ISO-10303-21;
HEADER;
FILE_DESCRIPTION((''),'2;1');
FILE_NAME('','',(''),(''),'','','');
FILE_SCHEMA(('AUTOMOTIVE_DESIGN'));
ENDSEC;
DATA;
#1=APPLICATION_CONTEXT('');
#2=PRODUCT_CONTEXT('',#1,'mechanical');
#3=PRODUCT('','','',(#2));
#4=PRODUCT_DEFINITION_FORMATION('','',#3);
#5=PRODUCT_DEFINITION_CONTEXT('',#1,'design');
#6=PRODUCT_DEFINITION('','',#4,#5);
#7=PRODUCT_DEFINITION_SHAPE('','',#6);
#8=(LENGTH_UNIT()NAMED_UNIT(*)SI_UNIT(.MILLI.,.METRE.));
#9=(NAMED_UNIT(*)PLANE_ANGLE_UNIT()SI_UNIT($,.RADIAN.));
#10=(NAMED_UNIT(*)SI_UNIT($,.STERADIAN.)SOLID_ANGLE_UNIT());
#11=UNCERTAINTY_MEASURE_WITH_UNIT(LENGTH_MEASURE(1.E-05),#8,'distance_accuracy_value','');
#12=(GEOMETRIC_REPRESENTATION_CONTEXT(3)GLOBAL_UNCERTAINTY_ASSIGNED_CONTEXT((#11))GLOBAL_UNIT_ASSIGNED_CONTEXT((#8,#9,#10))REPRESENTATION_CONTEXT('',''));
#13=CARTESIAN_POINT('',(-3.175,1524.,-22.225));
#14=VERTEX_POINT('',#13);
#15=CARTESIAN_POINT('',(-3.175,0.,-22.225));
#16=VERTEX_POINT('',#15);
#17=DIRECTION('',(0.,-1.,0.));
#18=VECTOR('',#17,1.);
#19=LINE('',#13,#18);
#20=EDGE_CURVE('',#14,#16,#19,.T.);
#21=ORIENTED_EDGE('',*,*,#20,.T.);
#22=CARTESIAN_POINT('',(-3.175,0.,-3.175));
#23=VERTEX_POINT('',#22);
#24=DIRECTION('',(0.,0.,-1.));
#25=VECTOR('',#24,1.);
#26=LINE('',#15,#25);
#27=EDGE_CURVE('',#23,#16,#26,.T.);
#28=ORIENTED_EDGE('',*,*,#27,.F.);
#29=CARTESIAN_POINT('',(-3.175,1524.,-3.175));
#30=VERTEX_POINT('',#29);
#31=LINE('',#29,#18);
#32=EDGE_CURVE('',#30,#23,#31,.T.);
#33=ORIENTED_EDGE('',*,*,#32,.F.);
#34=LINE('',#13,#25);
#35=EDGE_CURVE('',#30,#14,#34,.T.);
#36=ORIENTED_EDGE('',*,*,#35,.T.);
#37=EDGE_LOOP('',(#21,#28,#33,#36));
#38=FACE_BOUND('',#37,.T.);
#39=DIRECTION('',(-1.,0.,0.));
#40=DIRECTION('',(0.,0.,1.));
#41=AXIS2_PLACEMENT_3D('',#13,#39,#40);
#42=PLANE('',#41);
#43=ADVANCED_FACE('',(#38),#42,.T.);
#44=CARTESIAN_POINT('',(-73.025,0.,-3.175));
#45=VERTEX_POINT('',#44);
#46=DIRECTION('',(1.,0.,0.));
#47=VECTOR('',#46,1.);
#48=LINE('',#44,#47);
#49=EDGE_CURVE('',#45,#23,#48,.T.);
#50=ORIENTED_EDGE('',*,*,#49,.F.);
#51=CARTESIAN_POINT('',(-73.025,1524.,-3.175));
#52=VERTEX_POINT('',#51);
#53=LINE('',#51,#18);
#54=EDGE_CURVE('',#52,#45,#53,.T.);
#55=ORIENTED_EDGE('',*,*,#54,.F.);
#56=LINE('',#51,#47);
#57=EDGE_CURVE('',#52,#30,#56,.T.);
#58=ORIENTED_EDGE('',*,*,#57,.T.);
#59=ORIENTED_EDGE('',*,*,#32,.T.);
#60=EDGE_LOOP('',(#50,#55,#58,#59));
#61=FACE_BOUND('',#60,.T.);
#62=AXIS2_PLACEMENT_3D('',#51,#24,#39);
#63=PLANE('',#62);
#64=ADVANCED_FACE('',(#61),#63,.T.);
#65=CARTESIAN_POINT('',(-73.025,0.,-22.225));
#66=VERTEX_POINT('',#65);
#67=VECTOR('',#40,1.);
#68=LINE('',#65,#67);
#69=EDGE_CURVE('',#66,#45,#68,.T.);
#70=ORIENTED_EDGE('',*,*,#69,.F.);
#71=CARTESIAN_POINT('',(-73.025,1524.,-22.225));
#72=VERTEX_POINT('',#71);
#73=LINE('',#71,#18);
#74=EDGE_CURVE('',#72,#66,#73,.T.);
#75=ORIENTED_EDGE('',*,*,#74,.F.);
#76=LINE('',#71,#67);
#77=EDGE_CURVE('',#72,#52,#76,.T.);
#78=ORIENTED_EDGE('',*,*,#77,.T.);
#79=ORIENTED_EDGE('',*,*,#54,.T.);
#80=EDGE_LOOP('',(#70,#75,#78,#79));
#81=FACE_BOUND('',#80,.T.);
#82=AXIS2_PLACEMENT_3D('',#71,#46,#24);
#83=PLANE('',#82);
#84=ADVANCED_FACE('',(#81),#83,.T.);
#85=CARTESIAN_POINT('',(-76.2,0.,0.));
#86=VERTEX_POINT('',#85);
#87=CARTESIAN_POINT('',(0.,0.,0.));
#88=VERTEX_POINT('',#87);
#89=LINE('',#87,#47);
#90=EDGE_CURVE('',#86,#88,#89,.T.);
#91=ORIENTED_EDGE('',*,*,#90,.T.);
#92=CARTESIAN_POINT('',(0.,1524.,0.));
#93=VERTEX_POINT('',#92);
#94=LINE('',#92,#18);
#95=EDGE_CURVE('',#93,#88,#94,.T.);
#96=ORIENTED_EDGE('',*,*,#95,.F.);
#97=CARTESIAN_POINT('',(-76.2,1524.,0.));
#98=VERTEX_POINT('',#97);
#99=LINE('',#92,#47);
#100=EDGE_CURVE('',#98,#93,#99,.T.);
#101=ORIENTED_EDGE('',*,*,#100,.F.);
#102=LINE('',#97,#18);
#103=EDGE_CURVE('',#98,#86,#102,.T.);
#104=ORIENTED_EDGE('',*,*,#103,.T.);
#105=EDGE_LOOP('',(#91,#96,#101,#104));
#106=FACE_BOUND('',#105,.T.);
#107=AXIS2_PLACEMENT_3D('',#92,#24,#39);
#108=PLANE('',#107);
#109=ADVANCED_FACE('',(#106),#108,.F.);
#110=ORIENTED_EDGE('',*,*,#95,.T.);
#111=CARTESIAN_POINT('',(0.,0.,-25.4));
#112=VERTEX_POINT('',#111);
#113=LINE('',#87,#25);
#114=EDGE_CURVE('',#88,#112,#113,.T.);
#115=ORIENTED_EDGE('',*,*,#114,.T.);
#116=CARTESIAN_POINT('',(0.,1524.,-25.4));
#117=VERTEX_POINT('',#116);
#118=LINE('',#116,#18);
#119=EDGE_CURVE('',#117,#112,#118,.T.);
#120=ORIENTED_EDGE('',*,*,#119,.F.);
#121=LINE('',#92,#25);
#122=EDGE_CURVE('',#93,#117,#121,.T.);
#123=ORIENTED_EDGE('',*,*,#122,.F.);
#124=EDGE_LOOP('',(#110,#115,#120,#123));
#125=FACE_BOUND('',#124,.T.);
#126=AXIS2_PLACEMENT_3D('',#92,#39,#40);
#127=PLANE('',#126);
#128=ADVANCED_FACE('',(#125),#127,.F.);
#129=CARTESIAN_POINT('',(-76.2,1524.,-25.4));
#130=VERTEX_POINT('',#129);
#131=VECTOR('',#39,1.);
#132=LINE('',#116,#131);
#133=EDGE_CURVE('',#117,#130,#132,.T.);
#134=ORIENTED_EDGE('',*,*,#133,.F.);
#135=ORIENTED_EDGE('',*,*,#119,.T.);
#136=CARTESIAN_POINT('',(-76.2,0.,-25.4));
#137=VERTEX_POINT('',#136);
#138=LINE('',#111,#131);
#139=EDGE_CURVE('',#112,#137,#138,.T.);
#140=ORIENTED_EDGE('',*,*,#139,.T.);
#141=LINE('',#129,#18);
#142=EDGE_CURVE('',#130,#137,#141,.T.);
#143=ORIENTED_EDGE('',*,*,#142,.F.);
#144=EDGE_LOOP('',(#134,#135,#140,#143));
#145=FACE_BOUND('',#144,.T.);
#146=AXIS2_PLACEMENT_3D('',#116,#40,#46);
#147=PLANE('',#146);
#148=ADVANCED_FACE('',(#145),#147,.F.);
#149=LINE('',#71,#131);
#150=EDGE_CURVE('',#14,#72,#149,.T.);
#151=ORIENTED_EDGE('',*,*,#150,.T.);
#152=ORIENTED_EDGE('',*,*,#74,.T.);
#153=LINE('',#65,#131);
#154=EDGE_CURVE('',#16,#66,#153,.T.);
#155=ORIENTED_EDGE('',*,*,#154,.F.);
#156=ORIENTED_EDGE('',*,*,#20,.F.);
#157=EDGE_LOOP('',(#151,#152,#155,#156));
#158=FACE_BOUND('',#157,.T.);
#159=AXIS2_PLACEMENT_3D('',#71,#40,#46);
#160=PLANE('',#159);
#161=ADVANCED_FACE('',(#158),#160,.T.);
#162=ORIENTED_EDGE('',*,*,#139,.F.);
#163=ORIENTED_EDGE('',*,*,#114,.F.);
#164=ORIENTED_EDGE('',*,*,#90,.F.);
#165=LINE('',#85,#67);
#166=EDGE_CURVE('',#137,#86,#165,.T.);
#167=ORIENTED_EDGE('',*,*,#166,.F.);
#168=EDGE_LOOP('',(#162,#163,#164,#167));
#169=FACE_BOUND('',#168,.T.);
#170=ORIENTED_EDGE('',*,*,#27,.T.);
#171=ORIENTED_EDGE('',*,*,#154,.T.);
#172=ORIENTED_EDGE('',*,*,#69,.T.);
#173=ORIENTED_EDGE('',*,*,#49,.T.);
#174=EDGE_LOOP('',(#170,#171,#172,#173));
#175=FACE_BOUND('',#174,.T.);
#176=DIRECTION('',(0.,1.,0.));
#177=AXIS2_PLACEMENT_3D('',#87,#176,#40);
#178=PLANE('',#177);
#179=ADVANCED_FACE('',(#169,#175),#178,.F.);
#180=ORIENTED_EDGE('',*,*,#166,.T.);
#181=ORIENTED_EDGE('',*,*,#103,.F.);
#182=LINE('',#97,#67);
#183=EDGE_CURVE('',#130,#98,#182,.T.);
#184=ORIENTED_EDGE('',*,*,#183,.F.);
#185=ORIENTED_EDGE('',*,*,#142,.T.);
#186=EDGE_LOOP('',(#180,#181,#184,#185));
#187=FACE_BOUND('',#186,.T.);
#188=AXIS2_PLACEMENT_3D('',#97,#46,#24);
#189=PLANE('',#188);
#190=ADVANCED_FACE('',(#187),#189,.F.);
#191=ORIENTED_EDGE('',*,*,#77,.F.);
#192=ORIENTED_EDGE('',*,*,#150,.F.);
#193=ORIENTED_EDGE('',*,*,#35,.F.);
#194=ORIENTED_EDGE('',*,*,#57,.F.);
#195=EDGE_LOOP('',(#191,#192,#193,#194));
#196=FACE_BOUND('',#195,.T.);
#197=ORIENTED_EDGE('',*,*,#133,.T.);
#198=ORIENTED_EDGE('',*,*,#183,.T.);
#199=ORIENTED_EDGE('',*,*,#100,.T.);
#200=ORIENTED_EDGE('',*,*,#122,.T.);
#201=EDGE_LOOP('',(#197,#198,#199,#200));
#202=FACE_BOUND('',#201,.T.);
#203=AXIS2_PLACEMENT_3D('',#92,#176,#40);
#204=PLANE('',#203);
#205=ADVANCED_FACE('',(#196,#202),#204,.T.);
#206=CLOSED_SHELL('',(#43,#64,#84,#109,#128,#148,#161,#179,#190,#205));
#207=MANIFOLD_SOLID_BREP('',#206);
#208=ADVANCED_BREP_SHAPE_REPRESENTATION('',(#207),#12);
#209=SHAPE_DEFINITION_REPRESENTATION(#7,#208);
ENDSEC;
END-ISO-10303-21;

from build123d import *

# Parameters (mm, degrees)
SKETCH1_W           = 76.2
SKETCH1_H           = 25.4
SKETCH1_W_2         = 69.85
SKETCH1_H_2         = 19.05
BOSS_EXTRUDE1_DEPTH = 1524


with BuildPart() as part:
    # Sketch1 → Boss-Extrude1 (new body)
    with BuildSketch(Plane(origin=(0, 0, 0), x_dir=(1, 0, 0), z_dir=(0, 1, 0))):
        with Locations((-38.1, 12.7)):
            Rectangle(SKETCH1_W, SKETCH1_H)
        with Locations((-38.1, 12.7)):
            Rectangle(SKETCH1_W_2, SKETCH1_H_2, mode=Mode.SUBTRACT)
    extrude(amount=BOSS_EXTRUDE1_DEPTH)


solid = part.part
